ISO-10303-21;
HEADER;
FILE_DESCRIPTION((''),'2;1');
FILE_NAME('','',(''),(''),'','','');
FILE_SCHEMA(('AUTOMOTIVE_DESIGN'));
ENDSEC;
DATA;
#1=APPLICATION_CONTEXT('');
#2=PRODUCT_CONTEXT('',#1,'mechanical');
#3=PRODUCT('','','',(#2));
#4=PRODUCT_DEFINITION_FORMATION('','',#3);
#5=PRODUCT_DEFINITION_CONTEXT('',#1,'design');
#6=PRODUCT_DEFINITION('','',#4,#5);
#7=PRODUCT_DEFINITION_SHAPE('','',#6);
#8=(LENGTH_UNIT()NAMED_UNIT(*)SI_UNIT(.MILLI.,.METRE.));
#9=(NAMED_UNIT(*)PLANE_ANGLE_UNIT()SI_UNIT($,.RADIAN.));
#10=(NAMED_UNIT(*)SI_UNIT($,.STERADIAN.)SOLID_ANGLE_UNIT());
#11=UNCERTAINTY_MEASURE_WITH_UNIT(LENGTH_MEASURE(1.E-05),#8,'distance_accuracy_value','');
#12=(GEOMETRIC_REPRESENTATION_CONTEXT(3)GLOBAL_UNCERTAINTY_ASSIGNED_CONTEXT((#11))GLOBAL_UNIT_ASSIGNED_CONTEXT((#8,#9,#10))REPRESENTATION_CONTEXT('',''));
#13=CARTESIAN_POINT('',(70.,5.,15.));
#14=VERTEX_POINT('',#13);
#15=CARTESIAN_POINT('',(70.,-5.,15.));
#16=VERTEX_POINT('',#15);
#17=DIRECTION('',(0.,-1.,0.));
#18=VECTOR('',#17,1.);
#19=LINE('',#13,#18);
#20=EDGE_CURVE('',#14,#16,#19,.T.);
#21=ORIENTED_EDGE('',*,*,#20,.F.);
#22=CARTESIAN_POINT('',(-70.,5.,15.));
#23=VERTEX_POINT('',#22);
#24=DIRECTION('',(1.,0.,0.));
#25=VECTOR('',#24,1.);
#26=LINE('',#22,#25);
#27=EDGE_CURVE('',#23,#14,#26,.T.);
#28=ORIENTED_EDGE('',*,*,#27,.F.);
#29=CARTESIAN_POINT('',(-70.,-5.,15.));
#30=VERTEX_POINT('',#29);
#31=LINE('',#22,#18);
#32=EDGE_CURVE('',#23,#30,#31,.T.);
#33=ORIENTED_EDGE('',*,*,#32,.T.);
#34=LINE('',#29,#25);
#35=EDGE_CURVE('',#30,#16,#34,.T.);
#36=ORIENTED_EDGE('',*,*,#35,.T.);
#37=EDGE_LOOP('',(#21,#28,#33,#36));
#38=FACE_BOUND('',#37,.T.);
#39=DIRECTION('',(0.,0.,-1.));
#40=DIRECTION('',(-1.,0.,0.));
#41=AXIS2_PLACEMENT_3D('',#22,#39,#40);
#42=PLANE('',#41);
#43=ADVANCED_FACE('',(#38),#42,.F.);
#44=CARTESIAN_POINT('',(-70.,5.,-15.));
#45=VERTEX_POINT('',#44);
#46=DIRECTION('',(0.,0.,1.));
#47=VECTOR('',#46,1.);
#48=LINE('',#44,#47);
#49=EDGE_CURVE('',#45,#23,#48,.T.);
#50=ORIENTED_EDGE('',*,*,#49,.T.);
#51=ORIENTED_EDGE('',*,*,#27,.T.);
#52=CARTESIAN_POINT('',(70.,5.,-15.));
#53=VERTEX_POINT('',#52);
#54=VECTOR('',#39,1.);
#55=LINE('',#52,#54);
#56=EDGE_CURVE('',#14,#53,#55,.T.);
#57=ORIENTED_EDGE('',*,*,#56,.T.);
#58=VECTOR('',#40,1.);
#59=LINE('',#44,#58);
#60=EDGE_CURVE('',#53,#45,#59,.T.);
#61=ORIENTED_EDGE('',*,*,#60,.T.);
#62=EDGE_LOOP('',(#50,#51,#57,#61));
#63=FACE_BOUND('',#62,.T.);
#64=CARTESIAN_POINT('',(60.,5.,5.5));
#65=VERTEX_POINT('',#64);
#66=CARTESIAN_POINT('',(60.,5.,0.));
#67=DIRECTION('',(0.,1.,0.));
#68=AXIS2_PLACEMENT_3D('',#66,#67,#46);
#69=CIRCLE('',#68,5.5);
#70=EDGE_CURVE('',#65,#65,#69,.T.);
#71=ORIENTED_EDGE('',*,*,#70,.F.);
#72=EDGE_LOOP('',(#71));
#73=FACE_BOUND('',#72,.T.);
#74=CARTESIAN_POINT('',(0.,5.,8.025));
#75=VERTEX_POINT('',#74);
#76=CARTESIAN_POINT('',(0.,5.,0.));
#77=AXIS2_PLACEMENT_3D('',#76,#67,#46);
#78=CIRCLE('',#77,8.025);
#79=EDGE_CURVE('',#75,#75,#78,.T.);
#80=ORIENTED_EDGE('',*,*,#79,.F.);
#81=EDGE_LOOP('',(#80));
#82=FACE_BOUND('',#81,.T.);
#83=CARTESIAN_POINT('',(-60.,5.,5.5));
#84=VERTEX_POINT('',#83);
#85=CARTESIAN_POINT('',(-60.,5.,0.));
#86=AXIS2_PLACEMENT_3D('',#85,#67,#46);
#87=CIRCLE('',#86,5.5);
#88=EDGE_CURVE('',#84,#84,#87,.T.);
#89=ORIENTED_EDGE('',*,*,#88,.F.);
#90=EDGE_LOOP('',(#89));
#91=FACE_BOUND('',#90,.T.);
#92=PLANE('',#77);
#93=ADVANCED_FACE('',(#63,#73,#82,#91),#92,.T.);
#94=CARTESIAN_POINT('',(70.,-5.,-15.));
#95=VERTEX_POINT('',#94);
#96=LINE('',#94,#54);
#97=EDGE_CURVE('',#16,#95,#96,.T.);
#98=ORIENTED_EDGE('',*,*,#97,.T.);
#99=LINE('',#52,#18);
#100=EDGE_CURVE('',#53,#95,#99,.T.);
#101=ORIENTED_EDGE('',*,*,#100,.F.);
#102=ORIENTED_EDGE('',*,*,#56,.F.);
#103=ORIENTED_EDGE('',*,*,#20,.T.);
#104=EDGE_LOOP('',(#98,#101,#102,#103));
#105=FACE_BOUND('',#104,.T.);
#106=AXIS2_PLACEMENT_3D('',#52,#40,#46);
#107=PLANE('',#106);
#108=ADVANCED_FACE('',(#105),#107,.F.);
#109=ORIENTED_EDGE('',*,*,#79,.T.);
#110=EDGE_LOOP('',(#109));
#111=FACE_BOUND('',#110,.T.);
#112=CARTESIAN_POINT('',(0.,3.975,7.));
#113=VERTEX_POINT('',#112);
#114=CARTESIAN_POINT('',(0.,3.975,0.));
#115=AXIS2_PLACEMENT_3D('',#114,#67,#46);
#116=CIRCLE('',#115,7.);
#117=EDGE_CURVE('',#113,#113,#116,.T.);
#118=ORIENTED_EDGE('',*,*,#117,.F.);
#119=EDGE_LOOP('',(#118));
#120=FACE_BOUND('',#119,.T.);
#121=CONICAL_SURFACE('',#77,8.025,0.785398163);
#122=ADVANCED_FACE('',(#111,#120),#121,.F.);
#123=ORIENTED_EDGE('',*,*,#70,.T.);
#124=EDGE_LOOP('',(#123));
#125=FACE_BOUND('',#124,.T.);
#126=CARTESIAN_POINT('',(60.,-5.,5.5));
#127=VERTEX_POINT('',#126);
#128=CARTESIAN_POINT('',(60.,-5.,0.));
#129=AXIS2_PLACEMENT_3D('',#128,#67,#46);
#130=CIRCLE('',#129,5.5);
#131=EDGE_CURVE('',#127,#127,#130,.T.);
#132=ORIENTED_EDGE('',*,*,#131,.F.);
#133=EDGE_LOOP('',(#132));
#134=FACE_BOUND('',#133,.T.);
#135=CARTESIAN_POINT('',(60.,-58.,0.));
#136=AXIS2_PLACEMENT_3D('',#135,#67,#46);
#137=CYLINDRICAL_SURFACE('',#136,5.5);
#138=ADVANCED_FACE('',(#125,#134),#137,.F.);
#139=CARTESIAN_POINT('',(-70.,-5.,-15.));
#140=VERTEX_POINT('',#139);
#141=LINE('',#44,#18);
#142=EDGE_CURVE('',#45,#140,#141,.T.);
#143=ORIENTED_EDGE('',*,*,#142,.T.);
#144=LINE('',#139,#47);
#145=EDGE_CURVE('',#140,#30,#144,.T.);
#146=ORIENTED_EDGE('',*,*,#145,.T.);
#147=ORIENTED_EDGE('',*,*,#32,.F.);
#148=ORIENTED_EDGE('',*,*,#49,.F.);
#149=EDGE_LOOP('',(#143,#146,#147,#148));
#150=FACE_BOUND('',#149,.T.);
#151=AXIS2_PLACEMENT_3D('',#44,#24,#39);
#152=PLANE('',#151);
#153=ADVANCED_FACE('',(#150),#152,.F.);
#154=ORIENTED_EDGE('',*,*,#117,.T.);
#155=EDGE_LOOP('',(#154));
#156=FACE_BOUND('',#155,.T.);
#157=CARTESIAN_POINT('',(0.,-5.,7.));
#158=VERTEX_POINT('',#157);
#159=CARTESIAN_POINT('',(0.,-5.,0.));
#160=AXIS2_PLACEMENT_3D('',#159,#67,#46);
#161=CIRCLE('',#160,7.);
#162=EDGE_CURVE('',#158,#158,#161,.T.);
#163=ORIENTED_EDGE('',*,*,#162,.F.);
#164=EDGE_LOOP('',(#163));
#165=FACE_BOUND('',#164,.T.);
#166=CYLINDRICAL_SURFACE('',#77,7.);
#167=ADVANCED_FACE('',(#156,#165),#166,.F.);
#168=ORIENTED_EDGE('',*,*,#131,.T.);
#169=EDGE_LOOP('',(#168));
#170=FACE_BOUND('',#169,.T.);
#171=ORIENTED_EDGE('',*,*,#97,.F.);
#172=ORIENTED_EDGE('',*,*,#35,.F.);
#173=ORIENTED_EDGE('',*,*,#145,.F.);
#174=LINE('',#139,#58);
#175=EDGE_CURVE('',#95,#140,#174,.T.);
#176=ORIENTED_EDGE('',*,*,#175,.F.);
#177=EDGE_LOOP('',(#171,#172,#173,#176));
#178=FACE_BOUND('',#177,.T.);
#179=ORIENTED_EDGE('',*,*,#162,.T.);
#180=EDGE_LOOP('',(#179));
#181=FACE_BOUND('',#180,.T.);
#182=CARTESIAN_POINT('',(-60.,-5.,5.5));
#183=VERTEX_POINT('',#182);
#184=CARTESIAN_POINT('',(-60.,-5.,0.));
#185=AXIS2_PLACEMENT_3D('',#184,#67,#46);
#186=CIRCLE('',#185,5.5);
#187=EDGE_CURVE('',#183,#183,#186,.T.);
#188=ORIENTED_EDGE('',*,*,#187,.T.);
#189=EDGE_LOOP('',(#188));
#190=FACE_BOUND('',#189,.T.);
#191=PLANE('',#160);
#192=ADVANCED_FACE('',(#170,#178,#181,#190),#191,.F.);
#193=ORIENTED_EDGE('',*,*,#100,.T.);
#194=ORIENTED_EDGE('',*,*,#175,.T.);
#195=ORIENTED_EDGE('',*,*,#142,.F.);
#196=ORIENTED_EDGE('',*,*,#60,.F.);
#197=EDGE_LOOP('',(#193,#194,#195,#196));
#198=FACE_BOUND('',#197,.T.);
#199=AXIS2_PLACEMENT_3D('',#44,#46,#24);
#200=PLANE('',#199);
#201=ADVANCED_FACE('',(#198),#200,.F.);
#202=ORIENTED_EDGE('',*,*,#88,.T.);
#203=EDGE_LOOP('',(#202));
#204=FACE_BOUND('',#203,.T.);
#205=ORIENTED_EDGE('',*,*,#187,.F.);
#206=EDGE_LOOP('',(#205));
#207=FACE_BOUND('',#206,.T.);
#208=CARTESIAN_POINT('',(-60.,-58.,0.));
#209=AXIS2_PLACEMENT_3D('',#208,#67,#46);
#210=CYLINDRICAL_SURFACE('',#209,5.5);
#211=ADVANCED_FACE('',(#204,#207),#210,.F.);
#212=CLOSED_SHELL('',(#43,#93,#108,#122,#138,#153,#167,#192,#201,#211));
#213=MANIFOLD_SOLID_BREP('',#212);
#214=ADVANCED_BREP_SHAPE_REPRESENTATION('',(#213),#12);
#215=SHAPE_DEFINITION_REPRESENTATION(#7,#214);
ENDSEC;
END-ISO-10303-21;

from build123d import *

# Parameters (mm, degrees)
SKETCH4_W                    = 140
SKETCH4_H                    = 30
BOSS_EXTRUDE2_DEPTH          = 5
SKETCH5_R                    = 5.5
CUT_EXTRUDE1_DEPTH           = 63
M16_TAPPED_HOLE1_D           = 14
M16_TAPPED_HOLE1_DEPTH       = 38
M16_TAPPED_HOLE1_CSINK_D     = 16.05
M16_TAPPED_HOLE1_CSINK_ANGLE = 90
M16_TAPPED_HOLE1_TIP         = 4.206024333


with BuildPart() as part:
    # Sketch4 → Boss-Extrude2 (new, symmetric)
    with BuildSketch(Plane(origin=(0, 0, 0), x_dir=(1, 0, 0), z_dir=(0, 1, 0))):
        Rectangle(SKETCH4_W, SKETCH4_H)
    extrude(amount=BOSS_EXTRUDE2_DEPTH, both=True)

    # Sketch5 → Cut-Extrude1 (cut)
    with BuildSketch(Plane(origin=(0, 5, 0), x_dir=(1, 0, 0), z_dir=(0, 1, 0))):
        with Locations(Location((-60, 0, 0), (0, 0, 270))):
            Circle(SKETCH5_R)
        with Locations(Location((60, 0, 0), (0, 0, 270))):
            Circle(SKETCH5_R)
    extrude(amount=-CUT_EXTRUDE1_DEPTH, mode=Mode.SUBTRACT)

    # M16 Tapped Hole1
    with Locations(Plane.ZX.offset(5)):
        with Locations((0, 0)):
            CounterSinkHole(M16_TAPPED_HOLE1_D / 2, M16_TAPPED_HOLE1_CSINK_D / 2, depth=M16_TAPPED_HOLE1_DEPTH, counter_sink_angle=M16_TAPPED_HOLE1_CSINK_ANGLE)
            with Locations((0, 0, -(M16_TAPPED_HOLE1_DEPTH + M16_TAPPED_HOLE1_TIP / 2))):  # 118° drill point
                Cone(0, M16_TAPPED_HOLE1_D / 2, M16_TAPPED_HOLE1_TIP, mode=Mode.SUBTRACT)


solid = part.part
